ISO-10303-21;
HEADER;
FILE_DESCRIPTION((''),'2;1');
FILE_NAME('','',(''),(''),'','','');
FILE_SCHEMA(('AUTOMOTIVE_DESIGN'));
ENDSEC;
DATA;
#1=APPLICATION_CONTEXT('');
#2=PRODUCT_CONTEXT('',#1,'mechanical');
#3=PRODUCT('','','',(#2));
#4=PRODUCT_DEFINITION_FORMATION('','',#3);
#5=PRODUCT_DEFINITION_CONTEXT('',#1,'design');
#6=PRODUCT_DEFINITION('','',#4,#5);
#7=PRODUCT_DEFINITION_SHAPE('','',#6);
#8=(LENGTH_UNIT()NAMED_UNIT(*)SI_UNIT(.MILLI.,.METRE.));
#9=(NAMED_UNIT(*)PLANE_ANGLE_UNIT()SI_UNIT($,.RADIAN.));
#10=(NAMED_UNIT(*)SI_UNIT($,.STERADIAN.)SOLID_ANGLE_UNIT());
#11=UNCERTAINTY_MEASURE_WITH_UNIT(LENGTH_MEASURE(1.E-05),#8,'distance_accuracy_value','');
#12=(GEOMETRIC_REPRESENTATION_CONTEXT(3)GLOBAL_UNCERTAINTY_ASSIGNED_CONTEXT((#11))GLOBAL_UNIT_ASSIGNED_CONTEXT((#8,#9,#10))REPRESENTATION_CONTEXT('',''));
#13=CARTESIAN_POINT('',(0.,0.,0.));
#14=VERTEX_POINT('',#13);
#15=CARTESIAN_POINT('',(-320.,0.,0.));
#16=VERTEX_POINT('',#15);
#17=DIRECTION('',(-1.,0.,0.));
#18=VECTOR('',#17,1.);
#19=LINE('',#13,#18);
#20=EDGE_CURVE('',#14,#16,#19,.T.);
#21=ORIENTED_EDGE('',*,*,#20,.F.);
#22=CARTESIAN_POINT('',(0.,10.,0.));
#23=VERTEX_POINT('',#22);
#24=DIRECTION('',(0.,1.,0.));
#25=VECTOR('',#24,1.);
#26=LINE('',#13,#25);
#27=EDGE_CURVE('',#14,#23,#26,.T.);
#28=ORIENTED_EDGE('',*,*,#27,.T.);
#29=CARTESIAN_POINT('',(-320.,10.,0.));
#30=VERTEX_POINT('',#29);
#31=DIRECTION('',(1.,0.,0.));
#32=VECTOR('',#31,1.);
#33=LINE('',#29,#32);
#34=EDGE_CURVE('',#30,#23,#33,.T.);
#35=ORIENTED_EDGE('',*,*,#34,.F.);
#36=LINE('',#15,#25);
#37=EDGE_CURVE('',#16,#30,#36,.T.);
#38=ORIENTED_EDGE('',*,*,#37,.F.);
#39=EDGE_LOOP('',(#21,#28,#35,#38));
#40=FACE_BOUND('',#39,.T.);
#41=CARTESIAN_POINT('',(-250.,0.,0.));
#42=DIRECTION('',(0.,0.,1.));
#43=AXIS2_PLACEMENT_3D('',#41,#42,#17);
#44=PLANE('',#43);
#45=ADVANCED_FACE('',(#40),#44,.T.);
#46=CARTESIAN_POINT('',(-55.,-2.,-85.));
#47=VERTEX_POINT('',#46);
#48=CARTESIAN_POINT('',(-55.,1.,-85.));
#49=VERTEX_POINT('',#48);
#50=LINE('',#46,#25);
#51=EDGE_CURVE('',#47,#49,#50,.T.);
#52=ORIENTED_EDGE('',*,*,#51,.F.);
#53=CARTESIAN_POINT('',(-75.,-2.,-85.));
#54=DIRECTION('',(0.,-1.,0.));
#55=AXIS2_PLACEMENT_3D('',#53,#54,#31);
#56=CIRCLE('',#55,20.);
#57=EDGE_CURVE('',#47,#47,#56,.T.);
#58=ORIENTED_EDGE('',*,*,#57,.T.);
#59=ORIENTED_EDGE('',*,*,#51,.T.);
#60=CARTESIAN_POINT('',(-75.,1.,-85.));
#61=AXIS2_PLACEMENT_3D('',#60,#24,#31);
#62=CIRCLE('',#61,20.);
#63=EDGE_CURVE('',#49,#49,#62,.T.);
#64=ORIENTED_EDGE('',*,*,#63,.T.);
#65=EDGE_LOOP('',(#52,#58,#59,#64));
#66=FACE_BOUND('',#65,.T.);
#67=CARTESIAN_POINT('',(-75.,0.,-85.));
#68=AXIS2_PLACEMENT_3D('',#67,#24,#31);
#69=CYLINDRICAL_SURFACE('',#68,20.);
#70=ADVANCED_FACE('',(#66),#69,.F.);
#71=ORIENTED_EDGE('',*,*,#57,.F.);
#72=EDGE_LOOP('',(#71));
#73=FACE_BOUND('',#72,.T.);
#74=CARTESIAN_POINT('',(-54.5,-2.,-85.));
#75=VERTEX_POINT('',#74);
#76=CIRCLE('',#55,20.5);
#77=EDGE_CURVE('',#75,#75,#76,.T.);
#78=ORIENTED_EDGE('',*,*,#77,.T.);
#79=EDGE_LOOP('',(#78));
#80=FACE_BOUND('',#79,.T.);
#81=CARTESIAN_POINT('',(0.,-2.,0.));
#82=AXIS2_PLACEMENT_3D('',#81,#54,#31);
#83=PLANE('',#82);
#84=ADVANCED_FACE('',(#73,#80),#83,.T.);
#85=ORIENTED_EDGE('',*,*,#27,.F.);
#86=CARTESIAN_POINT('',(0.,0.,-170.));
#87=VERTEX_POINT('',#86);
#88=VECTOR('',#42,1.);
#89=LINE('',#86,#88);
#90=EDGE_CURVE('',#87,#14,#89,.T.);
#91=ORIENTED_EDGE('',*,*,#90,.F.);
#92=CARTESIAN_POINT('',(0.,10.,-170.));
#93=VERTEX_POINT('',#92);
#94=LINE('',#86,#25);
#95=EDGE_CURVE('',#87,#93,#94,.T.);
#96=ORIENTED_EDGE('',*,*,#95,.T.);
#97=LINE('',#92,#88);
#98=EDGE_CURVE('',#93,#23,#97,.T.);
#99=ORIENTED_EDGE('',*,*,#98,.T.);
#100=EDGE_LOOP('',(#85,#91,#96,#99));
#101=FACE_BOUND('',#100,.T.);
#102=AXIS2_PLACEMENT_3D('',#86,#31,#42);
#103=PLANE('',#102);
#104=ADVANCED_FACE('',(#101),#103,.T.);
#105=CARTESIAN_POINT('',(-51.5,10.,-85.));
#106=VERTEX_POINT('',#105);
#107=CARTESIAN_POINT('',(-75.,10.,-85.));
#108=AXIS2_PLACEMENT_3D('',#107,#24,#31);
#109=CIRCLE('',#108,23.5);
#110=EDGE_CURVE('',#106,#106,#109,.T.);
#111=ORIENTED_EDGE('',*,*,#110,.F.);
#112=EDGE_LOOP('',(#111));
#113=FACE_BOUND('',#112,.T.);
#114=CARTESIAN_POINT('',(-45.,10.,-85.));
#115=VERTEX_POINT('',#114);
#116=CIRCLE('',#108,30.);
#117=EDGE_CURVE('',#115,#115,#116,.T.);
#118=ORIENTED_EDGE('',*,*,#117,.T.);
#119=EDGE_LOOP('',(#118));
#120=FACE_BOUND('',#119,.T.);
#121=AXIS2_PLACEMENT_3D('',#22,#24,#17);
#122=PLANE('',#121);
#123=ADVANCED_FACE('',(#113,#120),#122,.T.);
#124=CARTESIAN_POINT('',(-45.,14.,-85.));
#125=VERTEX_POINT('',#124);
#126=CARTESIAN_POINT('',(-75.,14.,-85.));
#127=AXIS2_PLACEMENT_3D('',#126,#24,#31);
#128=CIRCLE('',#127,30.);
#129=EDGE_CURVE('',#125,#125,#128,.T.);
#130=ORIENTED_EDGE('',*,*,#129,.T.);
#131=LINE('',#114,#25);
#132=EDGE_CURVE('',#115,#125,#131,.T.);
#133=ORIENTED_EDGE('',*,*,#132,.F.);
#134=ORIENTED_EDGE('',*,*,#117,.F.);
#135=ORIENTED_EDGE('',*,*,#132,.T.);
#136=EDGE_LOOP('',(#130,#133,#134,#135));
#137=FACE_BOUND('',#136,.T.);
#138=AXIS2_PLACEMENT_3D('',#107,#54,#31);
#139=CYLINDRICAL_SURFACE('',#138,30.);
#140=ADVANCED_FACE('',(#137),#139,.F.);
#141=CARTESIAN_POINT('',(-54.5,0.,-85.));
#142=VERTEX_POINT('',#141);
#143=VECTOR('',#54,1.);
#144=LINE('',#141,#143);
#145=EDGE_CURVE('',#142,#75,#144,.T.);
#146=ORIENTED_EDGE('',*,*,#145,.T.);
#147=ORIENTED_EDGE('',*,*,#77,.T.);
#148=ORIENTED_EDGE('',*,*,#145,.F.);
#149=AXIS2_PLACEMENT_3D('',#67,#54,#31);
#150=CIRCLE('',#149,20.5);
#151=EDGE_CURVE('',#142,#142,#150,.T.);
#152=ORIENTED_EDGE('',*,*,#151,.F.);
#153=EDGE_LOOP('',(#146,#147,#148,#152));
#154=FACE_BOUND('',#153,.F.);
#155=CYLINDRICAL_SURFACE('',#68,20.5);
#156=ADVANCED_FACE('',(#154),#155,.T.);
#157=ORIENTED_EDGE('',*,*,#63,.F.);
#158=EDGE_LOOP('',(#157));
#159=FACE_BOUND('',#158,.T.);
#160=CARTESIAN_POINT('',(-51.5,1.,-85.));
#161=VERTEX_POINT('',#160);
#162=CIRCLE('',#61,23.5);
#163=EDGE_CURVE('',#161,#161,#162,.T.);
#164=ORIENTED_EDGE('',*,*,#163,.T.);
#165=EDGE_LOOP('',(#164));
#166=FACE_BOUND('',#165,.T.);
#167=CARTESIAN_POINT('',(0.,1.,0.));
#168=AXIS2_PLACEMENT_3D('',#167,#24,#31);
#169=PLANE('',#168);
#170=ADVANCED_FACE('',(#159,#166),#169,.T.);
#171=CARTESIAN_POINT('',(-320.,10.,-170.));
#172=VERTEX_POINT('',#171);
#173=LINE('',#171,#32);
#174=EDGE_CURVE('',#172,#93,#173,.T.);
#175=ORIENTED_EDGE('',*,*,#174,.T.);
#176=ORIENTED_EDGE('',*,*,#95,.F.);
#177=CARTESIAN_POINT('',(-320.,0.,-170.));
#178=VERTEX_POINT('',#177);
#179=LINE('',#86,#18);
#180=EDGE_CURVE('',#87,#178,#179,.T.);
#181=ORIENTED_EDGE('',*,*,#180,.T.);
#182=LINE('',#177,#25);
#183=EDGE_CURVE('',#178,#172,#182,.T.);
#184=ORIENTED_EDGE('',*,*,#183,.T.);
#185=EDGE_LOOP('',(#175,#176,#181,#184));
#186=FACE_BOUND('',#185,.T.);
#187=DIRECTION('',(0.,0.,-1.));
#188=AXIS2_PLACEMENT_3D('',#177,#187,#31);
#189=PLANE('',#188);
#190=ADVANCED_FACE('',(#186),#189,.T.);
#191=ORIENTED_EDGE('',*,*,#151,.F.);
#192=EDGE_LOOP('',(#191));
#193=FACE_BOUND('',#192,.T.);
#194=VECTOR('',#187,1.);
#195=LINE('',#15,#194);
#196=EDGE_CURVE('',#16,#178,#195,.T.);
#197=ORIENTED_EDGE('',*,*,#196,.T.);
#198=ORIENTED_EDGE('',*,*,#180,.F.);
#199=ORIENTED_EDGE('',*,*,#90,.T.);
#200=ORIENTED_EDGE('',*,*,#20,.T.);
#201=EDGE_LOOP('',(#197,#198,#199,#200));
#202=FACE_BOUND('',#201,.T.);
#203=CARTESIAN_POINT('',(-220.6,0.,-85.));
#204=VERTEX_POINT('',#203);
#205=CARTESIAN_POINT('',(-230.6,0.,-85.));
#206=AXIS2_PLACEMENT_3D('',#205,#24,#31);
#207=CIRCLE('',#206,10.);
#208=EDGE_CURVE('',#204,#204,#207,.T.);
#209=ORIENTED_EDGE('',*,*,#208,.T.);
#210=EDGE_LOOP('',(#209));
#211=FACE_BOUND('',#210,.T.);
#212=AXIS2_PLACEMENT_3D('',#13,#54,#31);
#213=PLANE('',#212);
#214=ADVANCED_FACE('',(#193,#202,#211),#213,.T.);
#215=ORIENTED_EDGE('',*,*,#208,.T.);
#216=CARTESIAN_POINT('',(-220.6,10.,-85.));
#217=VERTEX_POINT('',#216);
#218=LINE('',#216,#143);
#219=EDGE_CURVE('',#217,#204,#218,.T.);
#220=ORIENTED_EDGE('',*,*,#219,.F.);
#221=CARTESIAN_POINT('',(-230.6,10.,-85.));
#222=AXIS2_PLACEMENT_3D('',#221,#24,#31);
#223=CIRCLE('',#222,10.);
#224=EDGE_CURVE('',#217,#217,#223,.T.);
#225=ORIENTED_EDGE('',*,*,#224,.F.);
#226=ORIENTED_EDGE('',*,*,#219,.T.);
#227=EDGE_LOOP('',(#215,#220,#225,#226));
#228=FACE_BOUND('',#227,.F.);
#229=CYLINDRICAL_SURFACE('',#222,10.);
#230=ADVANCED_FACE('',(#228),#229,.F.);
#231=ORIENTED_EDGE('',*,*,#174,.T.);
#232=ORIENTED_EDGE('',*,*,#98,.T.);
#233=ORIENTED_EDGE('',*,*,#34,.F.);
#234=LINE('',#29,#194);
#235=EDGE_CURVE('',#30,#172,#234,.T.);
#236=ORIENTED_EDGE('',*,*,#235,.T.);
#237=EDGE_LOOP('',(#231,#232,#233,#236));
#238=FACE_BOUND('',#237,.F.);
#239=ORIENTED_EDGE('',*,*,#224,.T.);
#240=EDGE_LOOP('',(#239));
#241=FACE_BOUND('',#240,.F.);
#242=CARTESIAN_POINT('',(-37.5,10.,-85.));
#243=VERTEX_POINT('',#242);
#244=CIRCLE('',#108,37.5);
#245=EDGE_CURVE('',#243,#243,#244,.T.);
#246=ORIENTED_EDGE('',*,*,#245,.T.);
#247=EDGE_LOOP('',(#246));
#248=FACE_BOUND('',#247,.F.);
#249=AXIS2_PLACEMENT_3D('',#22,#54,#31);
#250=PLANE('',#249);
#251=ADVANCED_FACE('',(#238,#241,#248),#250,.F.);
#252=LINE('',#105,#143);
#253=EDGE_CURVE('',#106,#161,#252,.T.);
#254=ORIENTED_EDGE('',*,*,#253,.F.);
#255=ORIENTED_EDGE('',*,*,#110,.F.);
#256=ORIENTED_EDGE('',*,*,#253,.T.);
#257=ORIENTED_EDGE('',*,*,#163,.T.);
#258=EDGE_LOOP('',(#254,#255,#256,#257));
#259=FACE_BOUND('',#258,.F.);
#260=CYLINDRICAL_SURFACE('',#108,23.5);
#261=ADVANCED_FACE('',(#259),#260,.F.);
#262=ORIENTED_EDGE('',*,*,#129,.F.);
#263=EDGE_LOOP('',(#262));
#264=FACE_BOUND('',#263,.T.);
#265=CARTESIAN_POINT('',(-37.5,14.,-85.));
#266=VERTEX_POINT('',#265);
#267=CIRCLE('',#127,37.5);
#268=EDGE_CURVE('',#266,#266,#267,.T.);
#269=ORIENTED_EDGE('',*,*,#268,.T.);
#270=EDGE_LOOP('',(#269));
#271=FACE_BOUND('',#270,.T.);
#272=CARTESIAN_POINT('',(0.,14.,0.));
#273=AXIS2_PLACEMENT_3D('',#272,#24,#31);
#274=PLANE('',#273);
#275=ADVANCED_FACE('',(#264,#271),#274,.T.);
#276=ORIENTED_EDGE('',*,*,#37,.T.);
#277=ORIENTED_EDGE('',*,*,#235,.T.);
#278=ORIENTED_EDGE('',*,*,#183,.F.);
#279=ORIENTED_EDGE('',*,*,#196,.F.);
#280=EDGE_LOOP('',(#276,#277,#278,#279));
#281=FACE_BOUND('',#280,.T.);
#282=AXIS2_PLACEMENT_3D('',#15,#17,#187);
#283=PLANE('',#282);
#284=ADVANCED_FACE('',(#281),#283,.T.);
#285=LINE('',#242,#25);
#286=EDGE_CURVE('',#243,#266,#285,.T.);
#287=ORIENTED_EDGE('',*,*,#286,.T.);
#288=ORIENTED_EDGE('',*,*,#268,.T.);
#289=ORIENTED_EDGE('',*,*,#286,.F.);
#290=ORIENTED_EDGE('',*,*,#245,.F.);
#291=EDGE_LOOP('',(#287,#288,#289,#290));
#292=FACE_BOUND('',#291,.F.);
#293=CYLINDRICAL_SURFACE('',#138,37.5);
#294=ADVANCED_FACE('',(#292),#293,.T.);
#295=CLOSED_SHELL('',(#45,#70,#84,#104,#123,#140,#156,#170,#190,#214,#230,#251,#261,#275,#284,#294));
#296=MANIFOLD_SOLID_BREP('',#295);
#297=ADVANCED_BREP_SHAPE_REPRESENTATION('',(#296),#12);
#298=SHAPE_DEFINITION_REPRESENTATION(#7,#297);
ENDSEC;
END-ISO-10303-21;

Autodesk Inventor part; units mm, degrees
ref_plane "YZ Plane" through (0, 0, 0) normal (1, 0, 0) x (0, 1, 0)
ref_plane "XZ Plane" through (0, 0, 0) normal (0, 1, 0) x (-1, 0, 0)
ref_plane "XY Plane" through (0, 0, 0) normal (0, 0, 1) x (1, 0, 0)
sketch "Sketch1" plane through (0, 0, 0) normal (0, 1, 0) x (-1, 0, 0)
  line L0 (0, 0) -> (250, 0)
  line L1 (250, 0) -> (250, -170)
  line L2 (250, -170) -> (0, -170)
  line L3 (0, -170) -> (0, 0)
  line L4 (0, 0) -> (150, 0)
  dimension "d0" = 250
  dimension "d1" = 170
  dimension "d2" = 150
extrude "Extrusion1" add sketch "Sketch1" along normal blind 10
sketch "Sketch2" plane through (0, 10, 0) normal (0, 1, 0) x (1, 0, 0)
  line L0 (0, 0) -> (-150, 0)
  line L1 (-250, 0) -> (0, 0) projected
  line L2 (0, 170) -> (-250, 170) projected
  circle A0 centre (-75, 85) radius 20
  dimension "d5" = 150
  dimension "d6" = 40
extrude "Extrusion2" cut sketch "Sketch2" against normal blind 10
sketch "Sketch3" plane through (0, 10, 0) normal (0, 1, 0) x (1, 0, 0)
  circle A0 centre (-75, 85) radius 20 projected
  circle A1 centre (-75, 85) radius 23.5
  point P0 (0, 0)
  dimension "d9" = 47
extrude "Extrusion3" cut sketch "Sketch3" against normal blind 9
sketch "Sketch4" plane through (0, 10, 0) normal (0, 1, 0) x (1, 0, 0)
  circle A0 centre (-75, 85) radius 20 projected
  circle A1 centre (-75, 85) radius 30
  circle A2 centre (-75, 85) radius 37.5
  point P0 (0, 0)
  dimension "d12" = 60
  dimension "d13" = 75
extrude "Extrusion4" add sketch "Sketch4" along normal blind 4 contours A2
sketch "Sketch5" plane through (0, 0, 0) normal (0, -1, 0) x (1, 0, 0)
  circle A0 centre (-75, -85) radius 20 projected
  circle A1 centre (-75, -85) radius 20.5
  circle A2 centre (-75, -85) radius 20
  point P0 (0, 0)
  dimension "d16" = 41
  dimension "d17" = 40
extrude "Extrusion5" add sketch "Sketch5" along normal blind 2
sketch "Sketch6" plane through (0, 10, 0) normal (0, 1, 0) x (1, 0, 0)
  circle A0 centre (-75, 85) radius 23.5 projected
  circle A1 centre (-75, 85) radius 50
  circle A2 centre (-230.6, 85) radius 10
  point P0 (0, 0)
  dimension "d20" = 100
  dimension "d22" = 20
extrude "Extrusion6" cut sketch "Sketch6" against normal blind 10 contours A2
sketch "Sketch7" plane through (0, 0, 0) normal (0, -1, 0) x (1, 0, 0)
  line L0 (-250, -170) -> (-250, 0) projected
  line L1 (-250, 0) -> (-320, 0)
  line L2 (-320, 0) -> (-320, -170)
  line L3 (-320, -170) -> (-250, -170)
  line L4 (-250, -170) -> (-250, 0)
  point P0 (0, 0)
  dimension "d25" = 70
  dimension "d26" = 170
extrude "Extrusion7" add sketch "Sketch7" against normal blind 10
properties part number "b_base cover_test 1"
